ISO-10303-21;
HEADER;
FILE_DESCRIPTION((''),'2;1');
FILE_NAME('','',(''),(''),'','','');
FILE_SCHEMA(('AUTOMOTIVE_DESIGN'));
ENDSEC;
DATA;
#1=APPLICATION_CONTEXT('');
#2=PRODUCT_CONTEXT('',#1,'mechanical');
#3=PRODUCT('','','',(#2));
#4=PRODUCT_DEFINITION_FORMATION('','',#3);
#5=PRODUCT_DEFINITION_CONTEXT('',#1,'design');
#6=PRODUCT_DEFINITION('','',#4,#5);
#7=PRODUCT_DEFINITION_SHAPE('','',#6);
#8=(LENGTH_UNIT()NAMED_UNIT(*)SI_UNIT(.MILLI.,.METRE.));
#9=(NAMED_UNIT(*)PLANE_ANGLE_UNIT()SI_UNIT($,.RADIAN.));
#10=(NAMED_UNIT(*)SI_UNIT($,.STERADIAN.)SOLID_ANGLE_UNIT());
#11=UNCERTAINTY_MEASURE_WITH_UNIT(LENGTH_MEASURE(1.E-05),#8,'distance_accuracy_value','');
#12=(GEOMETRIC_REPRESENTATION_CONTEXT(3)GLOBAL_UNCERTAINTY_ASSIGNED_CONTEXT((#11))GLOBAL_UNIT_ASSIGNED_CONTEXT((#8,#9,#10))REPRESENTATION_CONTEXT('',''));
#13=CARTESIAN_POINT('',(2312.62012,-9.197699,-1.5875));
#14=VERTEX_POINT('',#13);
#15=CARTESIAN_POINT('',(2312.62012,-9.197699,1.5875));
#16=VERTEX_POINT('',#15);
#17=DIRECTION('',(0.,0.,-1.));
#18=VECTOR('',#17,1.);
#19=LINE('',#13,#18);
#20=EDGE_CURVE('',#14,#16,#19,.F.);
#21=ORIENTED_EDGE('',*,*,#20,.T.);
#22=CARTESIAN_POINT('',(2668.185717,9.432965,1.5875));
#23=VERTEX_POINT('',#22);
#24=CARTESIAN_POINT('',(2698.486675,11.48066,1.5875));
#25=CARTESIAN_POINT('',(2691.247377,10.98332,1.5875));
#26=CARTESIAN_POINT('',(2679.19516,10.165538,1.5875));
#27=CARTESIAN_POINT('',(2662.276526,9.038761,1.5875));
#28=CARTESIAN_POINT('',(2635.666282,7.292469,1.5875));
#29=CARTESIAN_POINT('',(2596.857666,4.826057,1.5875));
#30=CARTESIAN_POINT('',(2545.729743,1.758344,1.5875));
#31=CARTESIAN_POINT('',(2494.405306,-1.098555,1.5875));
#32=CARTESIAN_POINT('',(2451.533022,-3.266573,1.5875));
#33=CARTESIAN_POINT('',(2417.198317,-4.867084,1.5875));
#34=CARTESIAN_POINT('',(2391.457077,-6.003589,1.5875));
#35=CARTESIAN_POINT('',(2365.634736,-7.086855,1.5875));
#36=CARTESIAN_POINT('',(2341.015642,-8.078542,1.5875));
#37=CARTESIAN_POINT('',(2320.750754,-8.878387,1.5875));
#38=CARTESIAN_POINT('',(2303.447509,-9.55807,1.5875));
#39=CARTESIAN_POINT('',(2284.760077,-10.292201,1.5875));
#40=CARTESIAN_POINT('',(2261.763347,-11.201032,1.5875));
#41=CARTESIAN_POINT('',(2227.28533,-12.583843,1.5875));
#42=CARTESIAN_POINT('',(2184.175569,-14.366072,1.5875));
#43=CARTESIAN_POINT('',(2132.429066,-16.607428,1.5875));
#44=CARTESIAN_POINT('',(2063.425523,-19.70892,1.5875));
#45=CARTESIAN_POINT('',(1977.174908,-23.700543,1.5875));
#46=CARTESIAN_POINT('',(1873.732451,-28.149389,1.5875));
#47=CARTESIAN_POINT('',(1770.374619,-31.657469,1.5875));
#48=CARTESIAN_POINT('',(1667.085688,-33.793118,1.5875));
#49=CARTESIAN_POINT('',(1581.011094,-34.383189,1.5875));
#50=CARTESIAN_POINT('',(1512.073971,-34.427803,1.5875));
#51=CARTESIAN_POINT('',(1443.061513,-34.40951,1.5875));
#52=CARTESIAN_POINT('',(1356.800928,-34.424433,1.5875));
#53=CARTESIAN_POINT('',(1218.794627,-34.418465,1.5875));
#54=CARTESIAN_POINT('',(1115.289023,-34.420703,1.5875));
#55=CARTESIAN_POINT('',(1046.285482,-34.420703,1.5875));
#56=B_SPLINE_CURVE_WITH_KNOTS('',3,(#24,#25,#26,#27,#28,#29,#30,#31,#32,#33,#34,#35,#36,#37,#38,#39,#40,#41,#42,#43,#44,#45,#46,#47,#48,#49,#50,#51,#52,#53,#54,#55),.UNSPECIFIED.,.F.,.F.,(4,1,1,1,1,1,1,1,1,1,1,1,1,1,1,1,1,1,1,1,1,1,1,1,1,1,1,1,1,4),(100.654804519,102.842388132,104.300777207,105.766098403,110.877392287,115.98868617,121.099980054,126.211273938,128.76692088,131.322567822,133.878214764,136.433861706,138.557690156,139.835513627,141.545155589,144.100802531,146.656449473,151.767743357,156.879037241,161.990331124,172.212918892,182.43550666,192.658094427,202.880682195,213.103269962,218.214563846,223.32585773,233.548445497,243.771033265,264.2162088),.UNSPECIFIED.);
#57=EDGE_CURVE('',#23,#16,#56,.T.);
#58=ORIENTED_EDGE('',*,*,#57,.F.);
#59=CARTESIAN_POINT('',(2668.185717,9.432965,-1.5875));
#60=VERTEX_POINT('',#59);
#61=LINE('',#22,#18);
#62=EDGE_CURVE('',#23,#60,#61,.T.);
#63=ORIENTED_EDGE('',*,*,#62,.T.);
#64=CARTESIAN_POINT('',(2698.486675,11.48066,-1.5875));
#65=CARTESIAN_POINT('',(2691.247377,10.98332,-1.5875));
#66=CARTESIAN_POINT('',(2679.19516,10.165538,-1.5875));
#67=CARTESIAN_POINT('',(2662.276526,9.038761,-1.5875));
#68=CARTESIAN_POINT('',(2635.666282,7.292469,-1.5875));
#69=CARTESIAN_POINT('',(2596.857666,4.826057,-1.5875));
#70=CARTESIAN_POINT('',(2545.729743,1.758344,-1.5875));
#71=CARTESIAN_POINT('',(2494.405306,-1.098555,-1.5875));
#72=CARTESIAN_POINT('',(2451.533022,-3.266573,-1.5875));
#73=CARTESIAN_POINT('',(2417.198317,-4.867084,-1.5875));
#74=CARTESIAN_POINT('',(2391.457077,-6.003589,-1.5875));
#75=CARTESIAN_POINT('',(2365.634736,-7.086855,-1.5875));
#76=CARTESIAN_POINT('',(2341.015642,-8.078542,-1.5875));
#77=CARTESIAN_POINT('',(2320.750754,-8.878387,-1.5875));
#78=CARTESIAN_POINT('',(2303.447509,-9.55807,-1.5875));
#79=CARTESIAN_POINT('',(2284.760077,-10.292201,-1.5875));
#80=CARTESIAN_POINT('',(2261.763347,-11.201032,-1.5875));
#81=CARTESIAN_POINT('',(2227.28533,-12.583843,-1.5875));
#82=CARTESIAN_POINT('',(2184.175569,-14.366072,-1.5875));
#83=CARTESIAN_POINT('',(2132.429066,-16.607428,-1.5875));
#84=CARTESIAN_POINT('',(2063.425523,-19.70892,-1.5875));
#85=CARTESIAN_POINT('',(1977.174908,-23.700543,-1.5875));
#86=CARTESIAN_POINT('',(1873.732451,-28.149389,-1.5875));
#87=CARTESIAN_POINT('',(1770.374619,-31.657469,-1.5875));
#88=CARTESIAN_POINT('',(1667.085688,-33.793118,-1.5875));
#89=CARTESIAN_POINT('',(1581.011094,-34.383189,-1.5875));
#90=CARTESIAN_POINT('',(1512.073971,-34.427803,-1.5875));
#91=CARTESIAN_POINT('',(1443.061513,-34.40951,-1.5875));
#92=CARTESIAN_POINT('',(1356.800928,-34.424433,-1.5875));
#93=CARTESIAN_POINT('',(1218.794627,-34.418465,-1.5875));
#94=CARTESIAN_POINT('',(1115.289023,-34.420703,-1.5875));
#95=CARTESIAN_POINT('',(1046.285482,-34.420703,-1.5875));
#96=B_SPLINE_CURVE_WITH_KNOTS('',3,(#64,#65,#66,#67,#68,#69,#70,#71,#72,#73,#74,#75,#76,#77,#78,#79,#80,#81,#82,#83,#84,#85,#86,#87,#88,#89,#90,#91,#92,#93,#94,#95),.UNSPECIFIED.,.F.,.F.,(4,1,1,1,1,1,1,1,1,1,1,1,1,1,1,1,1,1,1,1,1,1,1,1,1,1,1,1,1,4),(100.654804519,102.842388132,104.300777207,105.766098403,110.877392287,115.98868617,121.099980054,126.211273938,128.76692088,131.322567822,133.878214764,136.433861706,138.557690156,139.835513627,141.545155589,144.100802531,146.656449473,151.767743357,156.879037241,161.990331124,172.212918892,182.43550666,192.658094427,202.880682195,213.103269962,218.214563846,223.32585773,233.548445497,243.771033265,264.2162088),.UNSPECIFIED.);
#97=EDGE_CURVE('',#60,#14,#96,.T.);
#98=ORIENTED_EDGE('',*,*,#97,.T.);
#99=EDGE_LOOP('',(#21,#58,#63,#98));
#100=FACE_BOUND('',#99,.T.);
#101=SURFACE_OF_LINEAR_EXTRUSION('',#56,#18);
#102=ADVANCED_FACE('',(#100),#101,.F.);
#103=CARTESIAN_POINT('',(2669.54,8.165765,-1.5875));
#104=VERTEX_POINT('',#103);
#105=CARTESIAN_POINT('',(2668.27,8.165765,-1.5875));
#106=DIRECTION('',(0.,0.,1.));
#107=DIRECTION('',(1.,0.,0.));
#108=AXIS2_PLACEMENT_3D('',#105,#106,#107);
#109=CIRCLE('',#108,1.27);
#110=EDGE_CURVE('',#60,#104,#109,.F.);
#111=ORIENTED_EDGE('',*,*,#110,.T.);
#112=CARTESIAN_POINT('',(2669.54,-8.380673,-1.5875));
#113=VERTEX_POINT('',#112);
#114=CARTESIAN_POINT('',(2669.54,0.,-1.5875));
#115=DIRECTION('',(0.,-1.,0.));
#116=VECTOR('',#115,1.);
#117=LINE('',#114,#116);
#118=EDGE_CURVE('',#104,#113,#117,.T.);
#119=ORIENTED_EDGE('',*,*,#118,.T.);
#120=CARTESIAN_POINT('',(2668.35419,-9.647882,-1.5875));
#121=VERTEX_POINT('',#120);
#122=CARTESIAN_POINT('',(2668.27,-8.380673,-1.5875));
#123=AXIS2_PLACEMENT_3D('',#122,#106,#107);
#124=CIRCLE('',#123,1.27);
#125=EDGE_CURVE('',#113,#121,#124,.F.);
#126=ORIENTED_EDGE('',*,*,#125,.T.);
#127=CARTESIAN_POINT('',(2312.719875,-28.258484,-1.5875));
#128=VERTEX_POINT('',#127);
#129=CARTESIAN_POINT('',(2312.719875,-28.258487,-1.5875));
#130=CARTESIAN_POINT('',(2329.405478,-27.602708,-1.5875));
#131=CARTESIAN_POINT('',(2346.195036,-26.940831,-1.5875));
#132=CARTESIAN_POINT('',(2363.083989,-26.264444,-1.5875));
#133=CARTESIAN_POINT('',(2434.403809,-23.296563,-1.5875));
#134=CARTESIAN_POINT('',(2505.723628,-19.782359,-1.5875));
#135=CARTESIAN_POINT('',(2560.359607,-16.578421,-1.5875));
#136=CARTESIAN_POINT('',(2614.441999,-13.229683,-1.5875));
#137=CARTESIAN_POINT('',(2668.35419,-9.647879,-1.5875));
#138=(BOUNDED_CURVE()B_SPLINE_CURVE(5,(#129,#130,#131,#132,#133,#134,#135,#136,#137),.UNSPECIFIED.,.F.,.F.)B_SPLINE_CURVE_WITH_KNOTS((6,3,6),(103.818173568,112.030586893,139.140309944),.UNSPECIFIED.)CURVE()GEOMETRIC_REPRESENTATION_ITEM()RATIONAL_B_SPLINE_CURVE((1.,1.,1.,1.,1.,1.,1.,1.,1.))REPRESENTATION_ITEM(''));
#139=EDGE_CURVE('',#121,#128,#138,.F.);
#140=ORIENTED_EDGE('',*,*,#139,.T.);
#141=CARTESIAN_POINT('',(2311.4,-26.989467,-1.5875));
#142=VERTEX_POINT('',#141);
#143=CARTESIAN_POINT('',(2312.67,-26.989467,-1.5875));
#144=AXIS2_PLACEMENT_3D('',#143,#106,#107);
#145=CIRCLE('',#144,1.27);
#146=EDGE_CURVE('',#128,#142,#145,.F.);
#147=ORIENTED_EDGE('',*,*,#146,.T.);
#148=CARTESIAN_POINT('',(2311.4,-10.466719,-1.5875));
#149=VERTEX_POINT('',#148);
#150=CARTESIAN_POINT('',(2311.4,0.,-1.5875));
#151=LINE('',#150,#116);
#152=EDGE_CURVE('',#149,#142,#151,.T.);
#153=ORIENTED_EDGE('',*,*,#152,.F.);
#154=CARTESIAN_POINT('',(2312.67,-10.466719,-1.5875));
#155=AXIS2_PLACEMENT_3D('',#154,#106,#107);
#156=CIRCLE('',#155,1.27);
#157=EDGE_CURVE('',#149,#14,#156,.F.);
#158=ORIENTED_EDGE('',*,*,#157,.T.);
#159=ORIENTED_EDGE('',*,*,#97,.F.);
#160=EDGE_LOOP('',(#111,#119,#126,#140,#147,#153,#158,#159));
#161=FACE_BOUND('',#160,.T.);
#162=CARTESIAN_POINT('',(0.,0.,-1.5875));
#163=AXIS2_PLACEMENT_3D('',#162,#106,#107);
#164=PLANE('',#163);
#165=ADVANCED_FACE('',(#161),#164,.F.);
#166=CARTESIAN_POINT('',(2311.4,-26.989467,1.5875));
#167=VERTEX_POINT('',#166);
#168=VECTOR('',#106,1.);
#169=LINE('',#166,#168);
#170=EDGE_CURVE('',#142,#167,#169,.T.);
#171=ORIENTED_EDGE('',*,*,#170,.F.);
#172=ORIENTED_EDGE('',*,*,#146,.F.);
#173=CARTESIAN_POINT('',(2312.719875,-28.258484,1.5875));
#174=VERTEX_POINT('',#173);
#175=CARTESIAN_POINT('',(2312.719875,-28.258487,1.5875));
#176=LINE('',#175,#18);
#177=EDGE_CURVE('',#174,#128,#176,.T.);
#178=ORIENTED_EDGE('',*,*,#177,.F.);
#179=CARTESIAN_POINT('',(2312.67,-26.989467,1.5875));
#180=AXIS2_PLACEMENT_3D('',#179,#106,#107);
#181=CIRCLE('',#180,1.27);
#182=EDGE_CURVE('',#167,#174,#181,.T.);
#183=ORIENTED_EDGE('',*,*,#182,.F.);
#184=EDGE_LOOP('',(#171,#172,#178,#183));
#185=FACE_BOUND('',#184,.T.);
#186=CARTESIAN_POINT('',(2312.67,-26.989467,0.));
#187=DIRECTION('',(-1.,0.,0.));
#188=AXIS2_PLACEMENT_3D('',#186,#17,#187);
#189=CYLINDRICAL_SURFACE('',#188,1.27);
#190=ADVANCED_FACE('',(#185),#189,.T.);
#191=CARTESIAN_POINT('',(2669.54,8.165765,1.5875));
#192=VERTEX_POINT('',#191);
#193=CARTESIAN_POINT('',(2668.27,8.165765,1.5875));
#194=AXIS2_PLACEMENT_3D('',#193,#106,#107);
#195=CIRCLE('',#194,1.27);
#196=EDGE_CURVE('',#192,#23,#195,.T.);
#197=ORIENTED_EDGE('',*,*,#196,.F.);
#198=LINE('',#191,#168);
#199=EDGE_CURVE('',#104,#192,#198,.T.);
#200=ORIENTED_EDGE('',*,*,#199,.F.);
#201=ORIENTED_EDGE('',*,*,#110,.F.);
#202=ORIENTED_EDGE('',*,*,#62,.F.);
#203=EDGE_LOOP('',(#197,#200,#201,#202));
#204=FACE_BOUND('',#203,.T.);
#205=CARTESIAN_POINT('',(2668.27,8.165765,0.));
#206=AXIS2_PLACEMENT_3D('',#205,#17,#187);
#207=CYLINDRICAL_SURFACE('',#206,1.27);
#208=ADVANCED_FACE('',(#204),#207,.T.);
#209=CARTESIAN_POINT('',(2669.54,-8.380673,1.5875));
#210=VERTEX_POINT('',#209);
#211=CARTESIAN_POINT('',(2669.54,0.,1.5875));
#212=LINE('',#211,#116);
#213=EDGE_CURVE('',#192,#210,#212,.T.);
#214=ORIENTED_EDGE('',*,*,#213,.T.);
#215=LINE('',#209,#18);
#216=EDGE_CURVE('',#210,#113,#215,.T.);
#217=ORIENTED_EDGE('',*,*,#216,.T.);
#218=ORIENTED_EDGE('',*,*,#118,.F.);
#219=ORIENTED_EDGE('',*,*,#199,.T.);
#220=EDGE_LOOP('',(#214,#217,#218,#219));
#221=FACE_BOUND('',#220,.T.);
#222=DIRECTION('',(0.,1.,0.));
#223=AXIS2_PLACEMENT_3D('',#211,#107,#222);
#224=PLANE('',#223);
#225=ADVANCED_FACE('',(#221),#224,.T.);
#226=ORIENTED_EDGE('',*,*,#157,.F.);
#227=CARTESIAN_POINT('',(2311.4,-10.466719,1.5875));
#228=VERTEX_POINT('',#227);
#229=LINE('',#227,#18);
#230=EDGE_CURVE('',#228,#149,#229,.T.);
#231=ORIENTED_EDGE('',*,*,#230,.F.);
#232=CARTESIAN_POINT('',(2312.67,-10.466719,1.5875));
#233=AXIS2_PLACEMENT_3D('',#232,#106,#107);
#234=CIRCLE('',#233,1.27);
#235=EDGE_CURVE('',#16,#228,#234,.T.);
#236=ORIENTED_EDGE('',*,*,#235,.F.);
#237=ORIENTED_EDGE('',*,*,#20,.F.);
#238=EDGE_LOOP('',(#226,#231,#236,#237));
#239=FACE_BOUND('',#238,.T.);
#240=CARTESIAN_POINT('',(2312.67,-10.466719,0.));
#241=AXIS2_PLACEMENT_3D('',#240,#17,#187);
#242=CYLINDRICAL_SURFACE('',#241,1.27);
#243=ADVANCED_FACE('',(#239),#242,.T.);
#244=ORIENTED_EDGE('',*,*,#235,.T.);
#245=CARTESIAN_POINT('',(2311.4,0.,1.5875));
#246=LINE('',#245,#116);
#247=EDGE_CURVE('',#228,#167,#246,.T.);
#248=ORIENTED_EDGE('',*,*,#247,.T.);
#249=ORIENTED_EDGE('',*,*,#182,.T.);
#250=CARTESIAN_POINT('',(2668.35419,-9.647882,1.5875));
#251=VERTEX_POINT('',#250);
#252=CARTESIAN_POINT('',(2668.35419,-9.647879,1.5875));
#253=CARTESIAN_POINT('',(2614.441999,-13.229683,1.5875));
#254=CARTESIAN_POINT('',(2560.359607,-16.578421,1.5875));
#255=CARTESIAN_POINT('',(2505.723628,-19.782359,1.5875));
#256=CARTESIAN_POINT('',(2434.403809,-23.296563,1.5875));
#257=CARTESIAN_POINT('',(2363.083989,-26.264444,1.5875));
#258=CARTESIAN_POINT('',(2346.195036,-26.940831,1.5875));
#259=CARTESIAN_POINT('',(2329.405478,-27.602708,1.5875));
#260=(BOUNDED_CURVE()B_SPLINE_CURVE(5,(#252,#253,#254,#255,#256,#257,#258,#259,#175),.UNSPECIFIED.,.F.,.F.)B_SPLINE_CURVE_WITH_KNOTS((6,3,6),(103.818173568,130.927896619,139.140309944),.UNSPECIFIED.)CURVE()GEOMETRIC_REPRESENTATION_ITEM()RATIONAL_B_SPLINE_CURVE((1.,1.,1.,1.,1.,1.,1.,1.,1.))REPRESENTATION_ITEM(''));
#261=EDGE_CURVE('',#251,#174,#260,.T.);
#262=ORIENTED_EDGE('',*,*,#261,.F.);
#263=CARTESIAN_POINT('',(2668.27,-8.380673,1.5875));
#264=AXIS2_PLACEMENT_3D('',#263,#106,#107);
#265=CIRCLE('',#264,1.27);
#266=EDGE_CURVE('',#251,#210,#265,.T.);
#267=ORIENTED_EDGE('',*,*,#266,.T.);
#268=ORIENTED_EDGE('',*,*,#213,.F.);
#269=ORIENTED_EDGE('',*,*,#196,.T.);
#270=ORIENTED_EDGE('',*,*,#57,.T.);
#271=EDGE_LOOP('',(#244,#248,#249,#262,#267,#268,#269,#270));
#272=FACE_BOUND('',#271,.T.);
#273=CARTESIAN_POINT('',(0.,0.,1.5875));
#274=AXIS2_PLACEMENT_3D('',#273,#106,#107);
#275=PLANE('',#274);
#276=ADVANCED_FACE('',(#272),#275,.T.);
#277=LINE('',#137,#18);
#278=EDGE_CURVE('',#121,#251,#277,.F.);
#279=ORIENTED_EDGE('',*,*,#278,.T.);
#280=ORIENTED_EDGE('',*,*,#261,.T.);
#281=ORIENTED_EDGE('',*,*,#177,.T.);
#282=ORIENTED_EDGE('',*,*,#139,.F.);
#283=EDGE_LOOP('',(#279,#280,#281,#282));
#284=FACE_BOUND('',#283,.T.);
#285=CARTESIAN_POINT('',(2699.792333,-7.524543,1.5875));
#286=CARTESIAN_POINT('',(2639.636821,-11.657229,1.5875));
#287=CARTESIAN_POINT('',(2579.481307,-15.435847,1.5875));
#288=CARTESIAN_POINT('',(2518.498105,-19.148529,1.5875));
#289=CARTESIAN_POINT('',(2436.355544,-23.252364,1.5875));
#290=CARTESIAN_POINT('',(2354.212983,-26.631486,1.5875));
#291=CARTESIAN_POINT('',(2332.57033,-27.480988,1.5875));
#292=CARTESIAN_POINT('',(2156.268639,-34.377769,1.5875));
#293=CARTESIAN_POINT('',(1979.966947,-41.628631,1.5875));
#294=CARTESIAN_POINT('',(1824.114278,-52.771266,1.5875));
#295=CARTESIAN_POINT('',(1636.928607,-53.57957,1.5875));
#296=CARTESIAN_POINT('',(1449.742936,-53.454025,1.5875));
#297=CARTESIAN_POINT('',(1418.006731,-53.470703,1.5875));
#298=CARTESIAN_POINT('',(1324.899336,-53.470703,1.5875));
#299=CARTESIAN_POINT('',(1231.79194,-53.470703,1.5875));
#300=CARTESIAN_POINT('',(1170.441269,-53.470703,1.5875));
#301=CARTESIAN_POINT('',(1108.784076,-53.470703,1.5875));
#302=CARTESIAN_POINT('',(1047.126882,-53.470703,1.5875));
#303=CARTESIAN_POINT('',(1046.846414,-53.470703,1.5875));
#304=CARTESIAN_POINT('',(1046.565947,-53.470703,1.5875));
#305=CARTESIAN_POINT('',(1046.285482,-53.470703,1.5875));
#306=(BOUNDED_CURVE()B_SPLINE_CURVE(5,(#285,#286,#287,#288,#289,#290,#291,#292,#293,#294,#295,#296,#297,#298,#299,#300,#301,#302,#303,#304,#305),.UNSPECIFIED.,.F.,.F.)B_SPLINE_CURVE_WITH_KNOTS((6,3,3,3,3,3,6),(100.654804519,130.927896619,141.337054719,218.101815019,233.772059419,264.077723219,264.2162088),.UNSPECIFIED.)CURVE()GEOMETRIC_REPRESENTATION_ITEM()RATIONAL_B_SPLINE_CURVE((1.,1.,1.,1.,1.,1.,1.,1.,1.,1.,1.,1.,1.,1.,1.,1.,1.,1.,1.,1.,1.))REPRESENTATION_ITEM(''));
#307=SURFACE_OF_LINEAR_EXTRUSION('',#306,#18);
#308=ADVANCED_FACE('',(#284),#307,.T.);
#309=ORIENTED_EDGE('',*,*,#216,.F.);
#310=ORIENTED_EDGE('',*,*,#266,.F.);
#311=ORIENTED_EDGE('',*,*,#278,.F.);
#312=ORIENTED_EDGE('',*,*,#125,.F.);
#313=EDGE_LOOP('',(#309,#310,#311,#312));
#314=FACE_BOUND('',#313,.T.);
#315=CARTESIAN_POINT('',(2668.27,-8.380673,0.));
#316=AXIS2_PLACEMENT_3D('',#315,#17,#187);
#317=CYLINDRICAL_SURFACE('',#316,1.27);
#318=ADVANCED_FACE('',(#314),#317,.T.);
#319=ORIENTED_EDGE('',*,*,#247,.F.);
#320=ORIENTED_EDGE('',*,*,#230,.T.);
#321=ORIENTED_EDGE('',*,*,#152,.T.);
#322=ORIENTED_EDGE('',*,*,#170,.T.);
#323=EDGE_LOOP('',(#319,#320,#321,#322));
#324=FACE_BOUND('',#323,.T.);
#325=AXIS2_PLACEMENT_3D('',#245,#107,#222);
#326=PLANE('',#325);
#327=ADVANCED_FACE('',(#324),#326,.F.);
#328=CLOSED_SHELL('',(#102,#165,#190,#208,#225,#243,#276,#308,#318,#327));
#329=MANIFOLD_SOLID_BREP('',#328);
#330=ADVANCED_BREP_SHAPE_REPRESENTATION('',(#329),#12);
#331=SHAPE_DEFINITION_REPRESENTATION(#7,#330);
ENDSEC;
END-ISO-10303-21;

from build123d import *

# Parameters (mm, degrees)
BOSS_EXTRUDE1_DEPTH = 1.5875
FILLET1_R           = 1.27


with BuildPart() as part:
    # Sketch1 → Boss-Extrude1 (new body, symmetric)
    with BuildSketch(Plane.XY):
        with BuildLine():
            Line((2311.4, -9.245652974), (2311.4, -28.310356345))
            add(Edge.make_bspline(
                [(2669.54, -9.569049356), (2615.393603553, -13.17073937), (2561.080658619, -16.536108081), (2506.205230446, -19.758621957), (2434.382223772, -23.29947809), (2362.559217098, -26.286274493), (2345.393069943, -26.972929947), (2328.342945407, -27.644579597), (2311.4, -28.310356345)],
                knots=[103.698913506, 103.698913506, 103.698913506, 103.698913506, 103.698913506, 103.698913506, 130.927896619, 130.927896619, 130.927896619, 139.270260279, 139.270260279, 139.270260279, 139.270260279, 139.270260279, 139.270260279], degree=5))
            Line((2669.54, -9.569049356), (2669.54, 9.5231025))
            add(Edge.make_bspline(
                [(2669.54, 9.5231025), (2667.126494524, 9.36235515), (2659.861586685, 8.880281494), (2635.666282302, 7.292469146), (2596.857665529, 4.826056853), (2545.729743039, 1.758344093), (2494.405305707, -1.098555235), (2451.533022267, -3.266573297), (2417.198316756, -4.86708361), (2391.457076919, -6.003589235), (2365.634736307, -7.086854581), (2341.015642019, -8.078542398), (2322.924133841, -8.79260451), (2313.562932275, -9.160652062), (2311.4, -9.245652974)],
                knots=[103.571582669, 103.571582669, 103.571582669, 103.571582669, 104.300777207, 105.766098403, 110.877392287, 115.98868617, 121.099980054, 126.211273938, 128.76692088, 131.322567822, 133.878214764, 136.433861706, 138.557690156, 139.196601892, 139.196601892, 139.196601892, 139.196601892], degree=3))
        make_face()
    extrude(amount=BOSS_EXTRUDE1_DEPTH, both=True)

    # Fillet1
    fillet1_edges = [part.edges().sort_by_distance(p)[0] for p in [
        (2669.54, 9.5231025, -0.79375),
        (2669.54, -9.569049356, -0.79375),
        (2311.4, -9.245652974, -0.79375),
        (2311.4, -28.310356345, -0.79375),
    ]]
    fillet(fillet1_edges, radius=FILLET1_R)


solid = part.part
